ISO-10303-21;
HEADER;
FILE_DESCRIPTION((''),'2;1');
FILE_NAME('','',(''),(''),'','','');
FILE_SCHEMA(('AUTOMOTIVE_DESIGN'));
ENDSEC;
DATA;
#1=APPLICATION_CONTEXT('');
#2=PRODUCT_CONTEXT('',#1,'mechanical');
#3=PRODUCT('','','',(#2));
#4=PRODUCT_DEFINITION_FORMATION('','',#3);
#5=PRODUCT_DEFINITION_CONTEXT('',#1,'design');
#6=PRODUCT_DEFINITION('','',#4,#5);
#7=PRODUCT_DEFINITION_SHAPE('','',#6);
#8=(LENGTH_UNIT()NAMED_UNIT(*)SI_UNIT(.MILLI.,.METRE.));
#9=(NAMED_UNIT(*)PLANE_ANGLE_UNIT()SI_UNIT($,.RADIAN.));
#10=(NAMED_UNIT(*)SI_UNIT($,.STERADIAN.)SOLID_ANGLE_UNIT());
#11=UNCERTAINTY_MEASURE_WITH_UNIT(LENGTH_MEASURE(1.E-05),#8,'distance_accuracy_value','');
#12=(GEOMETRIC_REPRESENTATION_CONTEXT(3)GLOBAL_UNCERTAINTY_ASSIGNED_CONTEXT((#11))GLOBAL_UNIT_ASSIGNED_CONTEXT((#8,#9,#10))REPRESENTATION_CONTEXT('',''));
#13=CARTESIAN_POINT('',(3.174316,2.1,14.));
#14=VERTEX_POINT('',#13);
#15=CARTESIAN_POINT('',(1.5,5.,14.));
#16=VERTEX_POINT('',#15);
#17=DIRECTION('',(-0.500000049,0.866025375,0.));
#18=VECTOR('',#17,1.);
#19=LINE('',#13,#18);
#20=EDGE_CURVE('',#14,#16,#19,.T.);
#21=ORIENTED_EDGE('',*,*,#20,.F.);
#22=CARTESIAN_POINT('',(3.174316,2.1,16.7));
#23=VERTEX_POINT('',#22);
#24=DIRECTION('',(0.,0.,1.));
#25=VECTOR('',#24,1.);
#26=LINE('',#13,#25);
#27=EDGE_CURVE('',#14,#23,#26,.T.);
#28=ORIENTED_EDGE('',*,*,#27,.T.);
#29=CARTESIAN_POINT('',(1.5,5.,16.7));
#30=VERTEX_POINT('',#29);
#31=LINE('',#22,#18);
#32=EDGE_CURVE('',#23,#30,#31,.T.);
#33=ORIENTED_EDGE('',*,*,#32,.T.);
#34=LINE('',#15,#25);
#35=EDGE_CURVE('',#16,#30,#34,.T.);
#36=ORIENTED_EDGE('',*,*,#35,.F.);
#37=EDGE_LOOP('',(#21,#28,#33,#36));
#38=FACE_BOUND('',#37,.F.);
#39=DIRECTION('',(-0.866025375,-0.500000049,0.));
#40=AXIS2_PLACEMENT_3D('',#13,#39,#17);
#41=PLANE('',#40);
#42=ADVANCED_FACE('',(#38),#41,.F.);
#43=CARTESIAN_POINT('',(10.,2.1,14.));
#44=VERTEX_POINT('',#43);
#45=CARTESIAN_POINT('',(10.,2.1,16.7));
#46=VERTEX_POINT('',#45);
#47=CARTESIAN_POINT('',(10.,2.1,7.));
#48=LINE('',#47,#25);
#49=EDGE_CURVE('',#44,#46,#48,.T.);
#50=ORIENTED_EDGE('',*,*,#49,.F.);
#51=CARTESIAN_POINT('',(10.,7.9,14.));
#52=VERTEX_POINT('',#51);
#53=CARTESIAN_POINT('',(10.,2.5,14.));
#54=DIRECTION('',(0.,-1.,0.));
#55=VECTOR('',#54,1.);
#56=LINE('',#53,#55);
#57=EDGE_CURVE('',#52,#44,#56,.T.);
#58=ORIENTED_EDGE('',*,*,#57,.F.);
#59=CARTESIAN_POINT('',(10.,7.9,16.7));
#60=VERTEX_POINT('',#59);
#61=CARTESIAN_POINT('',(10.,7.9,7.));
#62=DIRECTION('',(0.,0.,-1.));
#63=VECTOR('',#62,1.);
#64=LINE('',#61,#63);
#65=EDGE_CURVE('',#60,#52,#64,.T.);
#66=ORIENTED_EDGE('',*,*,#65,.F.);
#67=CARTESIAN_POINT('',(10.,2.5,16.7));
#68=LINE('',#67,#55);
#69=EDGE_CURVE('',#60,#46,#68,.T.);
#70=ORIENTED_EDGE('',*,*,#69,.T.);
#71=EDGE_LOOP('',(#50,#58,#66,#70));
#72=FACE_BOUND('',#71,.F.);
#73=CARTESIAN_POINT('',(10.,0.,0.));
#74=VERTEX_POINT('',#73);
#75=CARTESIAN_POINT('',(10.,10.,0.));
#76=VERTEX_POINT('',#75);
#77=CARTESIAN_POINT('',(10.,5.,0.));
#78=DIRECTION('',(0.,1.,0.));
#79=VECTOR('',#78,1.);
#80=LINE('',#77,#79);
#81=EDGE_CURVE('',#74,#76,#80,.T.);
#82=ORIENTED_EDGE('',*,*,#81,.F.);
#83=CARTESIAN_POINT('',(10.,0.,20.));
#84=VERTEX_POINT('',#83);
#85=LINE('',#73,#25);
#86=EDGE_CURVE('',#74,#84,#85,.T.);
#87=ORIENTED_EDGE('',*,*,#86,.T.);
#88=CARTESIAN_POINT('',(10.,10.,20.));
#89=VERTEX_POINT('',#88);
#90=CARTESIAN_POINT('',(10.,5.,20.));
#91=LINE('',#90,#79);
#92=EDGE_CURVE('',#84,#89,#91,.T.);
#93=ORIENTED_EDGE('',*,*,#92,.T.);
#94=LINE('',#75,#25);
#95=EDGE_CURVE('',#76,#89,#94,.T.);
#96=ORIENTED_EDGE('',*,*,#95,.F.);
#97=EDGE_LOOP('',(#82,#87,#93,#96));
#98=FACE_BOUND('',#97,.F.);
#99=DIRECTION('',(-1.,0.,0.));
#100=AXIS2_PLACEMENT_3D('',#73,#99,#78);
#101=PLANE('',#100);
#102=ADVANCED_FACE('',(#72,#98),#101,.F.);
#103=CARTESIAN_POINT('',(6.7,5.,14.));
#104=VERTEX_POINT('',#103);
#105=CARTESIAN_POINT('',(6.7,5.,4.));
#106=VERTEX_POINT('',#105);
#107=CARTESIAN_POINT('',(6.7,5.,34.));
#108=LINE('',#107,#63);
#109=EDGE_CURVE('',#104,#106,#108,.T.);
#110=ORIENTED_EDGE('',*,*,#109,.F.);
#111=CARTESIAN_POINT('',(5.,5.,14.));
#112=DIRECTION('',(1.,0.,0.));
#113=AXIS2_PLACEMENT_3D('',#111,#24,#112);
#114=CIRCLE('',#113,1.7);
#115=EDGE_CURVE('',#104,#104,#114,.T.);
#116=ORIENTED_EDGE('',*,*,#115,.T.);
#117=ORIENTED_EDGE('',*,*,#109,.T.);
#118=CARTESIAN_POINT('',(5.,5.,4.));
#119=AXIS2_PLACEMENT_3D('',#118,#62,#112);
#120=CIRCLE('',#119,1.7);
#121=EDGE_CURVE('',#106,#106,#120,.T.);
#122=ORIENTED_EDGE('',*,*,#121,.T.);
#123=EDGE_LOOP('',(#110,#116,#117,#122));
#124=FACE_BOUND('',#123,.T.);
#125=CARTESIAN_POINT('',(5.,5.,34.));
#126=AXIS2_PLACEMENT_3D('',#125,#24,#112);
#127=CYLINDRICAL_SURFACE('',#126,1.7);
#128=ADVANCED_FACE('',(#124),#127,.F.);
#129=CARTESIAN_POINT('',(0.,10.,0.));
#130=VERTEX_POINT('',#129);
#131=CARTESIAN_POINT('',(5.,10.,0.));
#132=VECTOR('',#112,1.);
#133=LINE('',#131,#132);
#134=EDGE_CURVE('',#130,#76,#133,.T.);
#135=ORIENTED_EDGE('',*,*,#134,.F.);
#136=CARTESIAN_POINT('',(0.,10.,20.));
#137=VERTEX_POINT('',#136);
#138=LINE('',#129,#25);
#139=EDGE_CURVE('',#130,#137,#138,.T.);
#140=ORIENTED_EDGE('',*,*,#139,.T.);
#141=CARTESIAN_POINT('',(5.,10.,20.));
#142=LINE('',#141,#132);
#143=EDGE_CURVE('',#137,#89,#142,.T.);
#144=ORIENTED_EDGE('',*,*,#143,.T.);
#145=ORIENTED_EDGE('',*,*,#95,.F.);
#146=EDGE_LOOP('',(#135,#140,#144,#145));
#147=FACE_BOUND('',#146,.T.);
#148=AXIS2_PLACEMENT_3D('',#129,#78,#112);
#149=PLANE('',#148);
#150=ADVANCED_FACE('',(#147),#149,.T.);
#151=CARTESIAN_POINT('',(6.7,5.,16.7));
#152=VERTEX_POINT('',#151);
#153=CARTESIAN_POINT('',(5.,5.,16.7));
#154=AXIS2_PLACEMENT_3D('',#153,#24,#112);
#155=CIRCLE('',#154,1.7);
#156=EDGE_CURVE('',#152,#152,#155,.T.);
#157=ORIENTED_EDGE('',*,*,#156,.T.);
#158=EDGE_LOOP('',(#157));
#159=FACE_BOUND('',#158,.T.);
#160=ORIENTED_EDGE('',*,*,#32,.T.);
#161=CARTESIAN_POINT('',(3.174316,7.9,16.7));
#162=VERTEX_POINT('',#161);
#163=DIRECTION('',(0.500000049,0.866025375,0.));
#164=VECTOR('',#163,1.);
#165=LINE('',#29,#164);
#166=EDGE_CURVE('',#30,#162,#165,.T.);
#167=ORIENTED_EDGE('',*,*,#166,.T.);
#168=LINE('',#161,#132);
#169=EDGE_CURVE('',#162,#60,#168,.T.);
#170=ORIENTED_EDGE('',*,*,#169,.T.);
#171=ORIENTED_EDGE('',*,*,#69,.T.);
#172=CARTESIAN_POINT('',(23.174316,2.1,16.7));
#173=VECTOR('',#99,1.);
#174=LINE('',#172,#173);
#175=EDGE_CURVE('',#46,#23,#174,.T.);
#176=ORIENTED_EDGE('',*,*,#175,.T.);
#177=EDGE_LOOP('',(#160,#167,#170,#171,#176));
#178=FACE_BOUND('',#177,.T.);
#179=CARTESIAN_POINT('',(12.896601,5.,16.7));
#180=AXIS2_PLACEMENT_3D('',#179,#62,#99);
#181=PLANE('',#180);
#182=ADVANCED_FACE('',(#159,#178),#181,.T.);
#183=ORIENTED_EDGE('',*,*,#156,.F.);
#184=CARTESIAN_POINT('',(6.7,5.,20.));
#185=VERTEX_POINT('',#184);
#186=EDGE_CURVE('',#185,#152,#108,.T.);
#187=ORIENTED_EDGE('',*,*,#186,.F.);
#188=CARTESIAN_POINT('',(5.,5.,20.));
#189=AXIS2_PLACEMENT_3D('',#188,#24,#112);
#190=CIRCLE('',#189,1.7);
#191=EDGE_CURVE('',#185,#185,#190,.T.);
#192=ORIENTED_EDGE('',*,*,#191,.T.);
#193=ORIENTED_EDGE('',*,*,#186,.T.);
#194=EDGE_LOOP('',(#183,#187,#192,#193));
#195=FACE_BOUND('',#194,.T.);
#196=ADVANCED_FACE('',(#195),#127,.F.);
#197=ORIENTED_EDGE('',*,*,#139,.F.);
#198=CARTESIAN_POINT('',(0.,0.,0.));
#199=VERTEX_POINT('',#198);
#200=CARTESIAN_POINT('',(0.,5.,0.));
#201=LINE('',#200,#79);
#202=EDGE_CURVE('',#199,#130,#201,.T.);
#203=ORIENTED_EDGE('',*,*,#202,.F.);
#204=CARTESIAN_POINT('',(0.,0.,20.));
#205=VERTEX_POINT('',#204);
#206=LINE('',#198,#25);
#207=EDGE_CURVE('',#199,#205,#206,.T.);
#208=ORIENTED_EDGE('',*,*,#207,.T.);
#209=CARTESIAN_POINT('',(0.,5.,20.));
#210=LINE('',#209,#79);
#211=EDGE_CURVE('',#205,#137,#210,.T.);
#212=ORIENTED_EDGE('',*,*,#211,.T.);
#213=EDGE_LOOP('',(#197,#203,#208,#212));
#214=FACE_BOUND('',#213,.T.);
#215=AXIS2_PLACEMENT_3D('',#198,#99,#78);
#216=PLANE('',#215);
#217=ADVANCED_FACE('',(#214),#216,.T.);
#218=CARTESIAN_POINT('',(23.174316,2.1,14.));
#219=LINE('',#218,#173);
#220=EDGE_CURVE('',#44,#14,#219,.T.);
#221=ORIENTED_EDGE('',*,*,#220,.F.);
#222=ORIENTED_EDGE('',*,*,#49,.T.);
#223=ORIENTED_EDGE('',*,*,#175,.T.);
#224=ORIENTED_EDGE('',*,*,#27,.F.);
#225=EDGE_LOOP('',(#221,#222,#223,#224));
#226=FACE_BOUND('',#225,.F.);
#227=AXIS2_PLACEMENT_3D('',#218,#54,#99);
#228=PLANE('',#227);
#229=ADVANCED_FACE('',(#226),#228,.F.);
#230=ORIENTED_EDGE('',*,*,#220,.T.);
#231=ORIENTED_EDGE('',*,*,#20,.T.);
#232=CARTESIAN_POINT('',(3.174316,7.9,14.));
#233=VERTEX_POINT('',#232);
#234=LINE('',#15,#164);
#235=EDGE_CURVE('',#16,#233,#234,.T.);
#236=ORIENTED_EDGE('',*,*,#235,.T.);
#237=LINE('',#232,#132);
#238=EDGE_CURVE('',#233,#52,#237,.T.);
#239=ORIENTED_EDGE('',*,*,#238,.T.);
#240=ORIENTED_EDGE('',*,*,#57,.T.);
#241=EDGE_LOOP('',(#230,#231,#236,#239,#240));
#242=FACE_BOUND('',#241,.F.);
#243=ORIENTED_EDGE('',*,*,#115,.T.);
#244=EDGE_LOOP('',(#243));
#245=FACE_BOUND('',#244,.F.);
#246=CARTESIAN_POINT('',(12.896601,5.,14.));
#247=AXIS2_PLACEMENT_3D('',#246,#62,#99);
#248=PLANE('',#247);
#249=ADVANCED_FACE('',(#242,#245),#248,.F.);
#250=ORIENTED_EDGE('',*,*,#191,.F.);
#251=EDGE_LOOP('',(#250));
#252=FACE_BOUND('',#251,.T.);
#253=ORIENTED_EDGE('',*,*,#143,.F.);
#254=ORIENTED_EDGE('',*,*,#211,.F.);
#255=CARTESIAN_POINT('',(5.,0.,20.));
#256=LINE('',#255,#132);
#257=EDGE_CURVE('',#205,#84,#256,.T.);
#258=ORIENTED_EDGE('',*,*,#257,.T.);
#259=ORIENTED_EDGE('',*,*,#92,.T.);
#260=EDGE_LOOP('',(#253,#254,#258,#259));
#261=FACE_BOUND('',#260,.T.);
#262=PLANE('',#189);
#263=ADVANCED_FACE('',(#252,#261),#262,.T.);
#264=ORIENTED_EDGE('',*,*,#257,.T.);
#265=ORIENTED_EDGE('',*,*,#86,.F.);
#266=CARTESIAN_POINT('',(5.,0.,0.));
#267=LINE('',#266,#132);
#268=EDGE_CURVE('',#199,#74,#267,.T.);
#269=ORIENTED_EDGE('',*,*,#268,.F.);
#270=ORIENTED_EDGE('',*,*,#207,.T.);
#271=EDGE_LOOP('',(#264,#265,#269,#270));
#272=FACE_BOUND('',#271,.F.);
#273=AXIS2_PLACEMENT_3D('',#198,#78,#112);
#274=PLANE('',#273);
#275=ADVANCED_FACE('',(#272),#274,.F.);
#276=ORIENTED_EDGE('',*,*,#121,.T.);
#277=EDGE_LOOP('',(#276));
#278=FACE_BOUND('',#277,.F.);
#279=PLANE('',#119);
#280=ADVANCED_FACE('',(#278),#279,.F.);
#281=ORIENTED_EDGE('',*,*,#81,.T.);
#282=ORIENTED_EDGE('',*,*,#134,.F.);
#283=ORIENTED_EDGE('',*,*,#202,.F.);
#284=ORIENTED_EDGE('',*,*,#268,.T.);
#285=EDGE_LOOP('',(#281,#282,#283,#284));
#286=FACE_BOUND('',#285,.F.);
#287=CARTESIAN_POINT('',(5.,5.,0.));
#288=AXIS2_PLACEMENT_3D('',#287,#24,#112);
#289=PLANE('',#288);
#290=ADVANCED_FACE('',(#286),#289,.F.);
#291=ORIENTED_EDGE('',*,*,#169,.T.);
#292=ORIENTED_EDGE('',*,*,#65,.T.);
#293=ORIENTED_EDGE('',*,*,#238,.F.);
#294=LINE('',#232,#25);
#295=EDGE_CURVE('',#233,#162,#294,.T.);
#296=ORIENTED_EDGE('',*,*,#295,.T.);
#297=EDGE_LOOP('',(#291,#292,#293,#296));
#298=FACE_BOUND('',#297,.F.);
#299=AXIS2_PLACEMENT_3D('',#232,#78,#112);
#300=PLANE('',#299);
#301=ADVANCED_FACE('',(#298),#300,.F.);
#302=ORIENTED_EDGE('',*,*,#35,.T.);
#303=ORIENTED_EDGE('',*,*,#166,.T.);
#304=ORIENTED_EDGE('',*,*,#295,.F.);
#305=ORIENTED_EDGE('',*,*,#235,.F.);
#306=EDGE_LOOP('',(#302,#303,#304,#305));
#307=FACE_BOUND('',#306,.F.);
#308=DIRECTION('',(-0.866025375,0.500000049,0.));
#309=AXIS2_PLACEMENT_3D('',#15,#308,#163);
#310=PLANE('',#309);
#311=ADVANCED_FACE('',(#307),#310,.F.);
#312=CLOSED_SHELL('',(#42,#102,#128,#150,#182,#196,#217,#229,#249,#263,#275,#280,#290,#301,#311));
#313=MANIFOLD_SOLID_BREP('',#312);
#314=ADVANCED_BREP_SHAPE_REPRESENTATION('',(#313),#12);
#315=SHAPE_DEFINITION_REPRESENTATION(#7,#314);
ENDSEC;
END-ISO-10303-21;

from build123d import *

# Parameters (mm, degrees)
PAD002_DEPTH             = 2.7
CYLINDER_R               = 2.95
CYLINDER_DEPTH           = 7
CYLINDER001_R            = 1.7
CYLINDER001_DEPTH        = 30
CLONE118_PLACEMENT_ANGLE = 180
BOX250_W                 = 10
BOX250_H                 = 10
BOX250_DEPTH             = 20


with BuildPart() as clone_of_m3nuthousing009:
    # Sketch003 → Pad002 (new body)
    with BuildSketch(Plane.XY):
        Polygon((0, 0), (1.674316, 2.9), (21.674316, 2.9), (21.674316, -2.9), (1.674316, -2.9), align=None)
    extrude(amount=PAD002_DEPTH)


with BuildPart() as clone_of_m3nuthousing009_1:
    # Clone119 placement: moved
    add(clone_of_m3nuthousing009.part.moved(Location((1.5, 5, 14))))


with BuildPart() as m3bolthead:
    # Cylinder → Cylinder (new body)
    with BuildSketch(Plane.XY):
        Circle(CYLINDER_R)
    extrude(amount=CYLINDER_DEPTH)


with BuildPart() as fusion051:
    # Cylinder001 → Cylinder001 (new body)
    with BuildSketch(Plane.XY.offset(6)):
        Circle(CYLINDER001_R)
    extrude(amount=CYLINDER001_DEPTH)

    # Fusion: union M3BoltHead
    add(m3bolthead.part)


with BuildPart() as fusion051_1:
    # Clone118 placement: moved
    add(fusion051.part.moved(Location((5, 5, 40))).rotate(Axis((5, 5, 40), (1, 0, 0)), CLONE118_PLACEMENT_ANGLE))

    # Fusion051: union Clone of M3NutHousing009
    add(clone_of_m3nuthousing009_1.part)


with BuildPart() as art2bodycoverfix:
    # Box250 → Box250 (new body)
    with BuildSketch(Plane.XY):
        with Locations((5, 5)):
            Rectangle(BOX250_W, BOX250_H)
    extrude(amount=BOX250_DEPTH)

    # Cut040: cut Fusion051
    add(fusion051_1.part, mode=Mode.SUBTRACT)


solid = art2bodycoverfix.part
